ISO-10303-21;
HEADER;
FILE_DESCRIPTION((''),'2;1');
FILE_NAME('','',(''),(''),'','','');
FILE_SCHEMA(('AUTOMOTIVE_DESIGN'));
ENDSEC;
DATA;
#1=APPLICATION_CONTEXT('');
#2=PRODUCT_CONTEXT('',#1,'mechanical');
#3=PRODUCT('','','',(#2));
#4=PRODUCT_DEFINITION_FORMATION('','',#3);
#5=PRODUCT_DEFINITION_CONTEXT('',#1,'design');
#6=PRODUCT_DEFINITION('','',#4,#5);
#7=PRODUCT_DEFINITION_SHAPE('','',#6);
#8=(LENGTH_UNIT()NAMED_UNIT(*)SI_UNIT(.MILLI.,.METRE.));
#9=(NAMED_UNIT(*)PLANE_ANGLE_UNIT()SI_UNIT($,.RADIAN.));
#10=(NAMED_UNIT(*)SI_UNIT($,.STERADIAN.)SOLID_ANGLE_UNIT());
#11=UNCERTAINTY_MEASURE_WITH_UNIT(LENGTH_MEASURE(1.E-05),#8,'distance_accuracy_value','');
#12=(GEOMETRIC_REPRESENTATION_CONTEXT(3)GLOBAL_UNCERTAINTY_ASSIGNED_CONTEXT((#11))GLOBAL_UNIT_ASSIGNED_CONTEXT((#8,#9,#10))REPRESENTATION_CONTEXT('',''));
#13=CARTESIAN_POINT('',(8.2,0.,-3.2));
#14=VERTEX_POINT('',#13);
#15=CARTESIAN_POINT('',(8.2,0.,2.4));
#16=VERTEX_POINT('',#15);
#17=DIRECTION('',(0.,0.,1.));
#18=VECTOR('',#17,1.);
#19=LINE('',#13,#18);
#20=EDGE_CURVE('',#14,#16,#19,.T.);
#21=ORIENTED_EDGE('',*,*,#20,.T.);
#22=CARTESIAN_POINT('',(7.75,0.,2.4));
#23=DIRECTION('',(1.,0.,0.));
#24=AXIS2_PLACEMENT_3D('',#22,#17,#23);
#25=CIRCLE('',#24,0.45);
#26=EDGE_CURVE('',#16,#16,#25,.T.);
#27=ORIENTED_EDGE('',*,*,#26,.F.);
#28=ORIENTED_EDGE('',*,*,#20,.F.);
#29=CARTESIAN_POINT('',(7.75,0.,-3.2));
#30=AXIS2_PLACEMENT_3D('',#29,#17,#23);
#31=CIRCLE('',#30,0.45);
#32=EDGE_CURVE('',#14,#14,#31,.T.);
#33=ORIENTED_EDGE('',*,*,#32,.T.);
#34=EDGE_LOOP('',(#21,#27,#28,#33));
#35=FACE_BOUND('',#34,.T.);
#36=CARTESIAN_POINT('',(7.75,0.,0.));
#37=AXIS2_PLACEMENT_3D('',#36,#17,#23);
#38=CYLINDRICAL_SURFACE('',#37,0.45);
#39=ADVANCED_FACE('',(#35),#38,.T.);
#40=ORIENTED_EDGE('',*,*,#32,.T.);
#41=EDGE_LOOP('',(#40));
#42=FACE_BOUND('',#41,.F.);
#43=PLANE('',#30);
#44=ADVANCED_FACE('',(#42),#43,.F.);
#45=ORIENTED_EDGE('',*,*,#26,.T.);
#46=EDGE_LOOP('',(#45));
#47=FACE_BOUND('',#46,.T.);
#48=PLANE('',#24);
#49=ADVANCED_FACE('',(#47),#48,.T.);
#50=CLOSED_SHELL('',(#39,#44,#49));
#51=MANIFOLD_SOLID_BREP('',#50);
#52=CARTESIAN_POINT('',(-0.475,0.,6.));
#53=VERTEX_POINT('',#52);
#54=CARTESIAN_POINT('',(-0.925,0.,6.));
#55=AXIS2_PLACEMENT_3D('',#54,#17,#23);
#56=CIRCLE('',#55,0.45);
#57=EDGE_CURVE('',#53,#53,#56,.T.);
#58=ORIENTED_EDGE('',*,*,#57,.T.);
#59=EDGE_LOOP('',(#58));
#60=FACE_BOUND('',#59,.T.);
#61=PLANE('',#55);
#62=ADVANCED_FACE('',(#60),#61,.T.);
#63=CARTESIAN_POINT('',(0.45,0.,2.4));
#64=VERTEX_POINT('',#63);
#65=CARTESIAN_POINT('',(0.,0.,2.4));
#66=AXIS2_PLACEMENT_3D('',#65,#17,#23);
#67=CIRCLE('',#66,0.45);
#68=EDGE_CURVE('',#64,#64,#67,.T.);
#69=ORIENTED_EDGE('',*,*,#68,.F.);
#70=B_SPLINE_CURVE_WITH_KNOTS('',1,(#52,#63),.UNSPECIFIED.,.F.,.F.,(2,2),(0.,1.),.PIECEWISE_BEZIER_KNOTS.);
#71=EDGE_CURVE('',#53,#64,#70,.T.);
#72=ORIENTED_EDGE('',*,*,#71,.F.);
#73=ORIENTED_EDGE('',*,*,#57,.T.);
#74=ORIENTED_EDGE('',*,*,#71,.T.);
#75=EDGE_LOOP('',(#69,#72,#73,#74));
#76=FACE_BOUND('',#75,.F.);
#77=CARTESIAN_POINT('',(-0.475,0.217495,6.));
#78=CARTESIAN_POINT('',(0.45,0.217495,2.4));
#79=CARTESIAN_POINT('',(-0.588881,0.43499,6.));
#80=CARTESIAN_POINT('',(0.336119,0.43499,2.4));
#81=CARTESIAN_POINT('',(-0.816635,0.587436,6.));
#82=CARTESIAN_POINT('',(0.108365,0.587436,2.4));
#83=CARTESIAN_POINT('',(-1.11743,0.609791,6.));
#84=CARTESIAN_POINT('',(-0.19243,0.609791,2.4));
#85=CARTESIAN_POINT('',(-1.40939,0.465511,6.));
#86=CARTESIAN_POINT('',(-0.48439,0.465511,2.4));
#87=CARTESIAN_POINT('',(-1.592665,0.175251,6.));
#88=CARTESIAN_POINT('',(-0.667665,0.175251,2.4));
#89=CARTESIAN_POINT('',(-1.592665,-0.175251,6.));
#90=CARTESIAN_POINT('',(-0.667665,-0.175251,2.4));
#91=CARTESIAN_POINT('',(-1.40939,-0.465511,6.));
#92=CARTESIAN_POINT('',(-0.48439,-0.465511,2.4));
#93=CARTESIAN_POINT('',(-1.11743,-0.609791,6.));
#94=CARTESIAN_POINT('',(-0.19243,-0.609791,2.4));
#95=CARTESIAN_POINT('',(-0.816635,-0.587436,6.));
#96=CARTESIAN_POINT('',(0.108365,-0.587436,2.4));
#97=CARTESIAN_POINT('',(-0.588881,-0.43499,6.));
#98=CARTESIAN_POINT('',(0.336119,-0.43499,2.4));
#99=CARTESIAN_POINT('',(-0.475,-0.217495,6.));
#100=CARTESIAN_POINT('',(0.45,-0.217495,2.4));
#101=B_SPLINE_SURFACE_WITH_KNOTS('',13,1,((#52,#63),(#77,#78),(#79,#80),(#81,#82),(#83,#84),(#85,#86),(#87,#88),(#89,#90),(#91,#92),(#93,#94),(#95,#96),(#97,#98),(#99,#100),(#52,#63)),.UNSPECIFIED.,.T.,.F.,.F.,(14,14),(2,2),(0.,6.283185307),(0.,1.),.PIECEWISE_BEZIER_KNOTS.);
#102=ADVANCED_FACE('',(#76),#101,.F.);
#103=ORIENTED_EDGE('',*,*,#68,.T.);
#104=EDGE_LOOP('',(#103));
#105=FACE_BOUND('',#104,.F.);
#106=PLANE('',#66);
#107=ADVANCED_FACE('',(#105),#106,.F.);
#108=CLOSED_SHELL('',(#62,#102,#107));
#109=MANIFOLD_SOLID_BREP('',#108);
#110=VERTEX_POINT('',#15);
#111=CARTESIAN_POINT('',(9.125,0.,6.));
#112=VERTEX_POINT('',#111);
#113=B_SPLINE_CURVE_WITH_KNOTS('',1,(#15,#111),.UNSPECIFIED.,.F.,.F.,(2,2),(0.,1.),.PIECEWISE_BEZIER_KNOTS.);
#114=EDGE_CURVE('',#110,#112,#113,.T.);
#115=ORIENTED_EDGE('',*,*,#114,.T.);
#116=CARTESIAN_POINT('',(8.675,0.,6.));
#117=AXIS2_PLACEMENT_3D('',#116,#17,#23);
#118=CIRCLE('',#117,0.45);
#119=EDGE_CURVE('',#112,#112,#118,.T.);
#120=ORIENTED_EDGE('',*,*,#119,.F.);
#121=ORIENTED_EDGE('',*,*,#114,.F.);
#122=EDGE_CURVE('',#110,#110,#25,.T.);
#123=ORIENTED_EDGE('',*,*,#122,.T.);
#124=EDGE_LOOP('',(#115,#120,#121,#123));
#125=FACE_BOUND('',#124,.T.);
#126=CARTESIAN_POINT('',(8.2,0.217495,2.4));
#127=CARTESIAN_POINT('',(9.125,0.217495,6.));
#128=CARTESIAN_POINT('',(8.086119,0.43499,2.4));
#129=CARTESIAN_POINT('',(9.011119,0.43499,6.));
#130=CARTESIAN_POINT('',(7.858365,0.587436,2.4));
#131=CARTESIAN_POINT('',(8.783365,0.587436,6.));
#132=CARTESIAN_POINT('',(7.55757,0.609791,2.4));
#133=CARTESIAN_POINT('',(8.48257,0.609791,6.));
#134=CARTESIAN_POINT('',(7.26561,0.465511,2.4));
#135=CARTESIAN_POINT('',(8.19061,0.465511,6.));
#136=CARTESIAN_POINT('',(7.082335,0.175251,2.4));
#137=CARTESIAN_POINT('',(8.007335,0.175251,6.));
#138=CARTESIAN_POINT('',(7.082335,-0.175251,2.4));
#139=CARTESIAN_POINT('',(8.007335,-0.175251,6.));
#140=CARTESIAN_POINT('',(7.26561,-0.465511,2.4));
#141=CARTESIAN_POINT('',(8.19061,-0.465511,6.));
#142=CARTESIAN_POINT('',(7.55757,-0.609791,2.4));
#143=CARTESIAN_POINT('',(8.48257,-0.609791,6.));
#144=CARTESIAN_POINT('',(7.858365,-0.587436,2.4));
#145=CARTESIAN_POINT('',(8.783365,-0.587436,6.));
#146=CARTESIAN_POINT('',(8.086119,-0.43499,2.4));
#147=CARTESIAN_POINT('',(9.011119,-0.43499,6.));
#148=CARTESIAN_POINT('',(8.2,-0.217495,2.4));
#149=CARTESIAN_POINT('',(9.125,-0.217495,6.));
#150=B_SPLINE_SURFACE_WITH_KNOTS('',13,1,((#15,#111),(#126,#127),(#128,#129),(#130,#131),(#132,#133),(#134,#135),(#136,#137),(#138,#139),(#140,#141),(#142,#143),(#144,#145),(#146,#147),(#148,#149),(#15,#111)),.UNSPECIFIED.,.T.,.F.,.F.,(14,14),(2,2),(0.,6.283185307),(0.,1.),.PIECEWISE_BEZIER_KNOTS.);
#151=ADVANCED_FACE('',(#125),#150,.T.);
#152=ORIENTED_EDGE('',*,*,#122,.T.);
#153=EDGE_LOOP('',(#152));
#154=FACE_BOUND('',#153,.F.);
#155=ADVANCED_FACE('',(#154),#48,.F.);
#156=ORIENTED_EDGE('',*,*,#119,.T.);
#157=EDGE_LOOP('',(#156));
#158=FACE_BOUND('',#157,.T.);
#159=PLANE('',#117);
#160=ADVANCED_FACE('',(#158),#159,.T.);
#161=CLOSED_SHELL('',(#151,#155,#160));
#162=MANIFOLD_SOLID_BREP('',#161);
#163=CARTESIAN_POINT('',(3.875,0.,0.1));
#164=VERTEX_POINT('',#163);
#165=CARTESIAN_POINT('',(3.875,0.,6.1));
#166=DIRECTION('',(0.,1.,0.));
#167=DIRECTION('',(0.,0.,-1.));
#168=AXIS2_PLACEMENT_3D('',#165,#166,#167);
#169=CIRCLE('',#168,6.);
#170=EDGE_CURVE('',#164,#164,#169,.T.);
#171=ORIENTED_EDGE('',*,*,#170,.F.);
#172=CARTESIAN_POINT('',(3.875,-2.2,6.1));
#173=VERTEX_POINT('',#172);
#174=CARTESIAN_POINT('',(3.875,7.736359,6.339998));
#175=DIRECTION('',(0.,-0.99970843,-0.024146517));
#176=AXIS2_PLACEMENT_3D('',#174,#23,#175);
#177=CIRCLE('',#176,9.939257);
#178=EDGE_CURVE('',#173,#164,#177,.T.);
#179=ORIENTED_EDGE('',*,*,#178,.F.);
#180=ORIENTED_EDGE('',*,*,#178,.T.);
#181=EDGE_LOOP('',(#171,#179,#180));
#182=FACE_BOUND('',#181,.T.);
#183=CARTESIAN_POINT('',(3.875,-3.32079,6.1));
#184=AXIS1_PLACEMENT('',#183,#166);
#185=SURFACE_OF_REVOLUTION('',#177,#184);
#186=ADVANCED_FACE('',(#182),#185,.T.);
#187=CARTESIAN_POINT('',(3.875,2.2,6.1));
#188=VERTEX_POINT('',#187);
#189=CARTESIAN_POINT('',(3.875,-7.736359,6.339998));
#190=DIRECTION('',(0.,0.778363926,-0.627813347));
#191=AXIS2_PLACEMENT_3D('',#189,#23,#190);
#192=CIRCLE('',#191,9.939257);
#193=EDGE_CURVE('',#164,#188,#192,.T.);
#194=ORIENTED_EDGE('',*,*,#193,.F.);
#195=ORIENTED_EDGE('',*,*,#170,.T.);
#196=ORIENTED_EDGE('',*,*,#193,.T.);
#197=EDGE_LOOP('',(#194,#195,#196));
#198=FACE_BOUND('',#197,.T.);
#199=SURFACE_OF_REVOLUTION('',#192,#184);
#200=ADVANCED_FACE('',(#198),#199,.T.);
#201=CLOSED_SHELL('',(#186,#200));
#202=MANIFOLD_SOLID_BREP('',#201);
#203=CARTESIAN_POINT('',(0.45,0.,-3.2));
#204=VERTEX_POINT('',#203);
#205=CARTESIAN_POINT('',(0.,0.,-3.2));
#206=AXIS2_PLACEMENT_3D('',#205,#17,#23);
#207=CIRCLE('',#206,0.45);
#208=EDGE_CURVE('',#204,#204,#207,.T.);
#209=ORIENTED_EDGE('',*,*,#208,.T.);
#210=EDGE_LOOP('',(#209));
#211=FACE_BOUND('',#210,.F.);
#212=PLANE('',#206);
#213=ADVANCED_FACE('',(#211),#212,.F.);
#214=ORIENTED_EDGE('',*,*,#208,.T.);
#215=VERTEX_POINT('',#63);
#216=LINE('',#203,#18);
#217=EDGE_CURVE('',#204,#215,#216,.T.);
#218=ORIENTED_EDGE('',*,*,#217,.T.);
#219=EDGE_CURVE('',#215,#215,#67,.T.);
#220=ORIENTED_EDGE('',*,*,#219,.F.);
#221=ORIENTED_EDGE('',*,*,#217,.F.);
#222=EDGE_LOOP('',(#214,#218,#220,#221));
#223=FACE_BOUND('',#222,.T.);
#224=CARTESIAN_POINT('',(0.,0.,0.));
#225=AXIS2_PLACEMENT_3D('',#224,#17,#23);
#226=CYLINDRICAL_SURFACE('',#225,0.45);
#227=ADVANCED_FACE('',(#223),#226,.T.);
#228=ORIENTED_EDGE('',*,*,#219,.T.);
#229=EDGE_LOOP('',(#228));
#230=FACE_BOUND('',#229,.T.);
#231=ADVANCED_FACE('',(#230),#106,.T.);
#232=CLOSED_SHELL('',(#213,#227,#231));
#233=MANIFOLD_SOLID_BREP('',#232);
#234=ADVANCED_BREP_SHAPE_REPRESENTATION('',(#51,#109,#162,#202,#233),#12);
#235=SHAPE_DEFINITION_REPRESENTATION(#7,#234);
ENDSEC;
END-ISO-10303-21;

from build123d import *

# Parameters (mm, degrees)
SKETCH001_R       = 0.45
PAD001_DEPTH      = 2.4
PAD001_DEPTH_BACK = 3.2
SKETCH002_R       = 0.45
SKETCH003_R       = 0.45
SKETCH004_R       = 0.45
SKETCH005_R       = 0.45


with BuildPart() as pad001:
    # Sketch001 → Pad001 (new body, two sides)
    with BuildSketch(Plane.XY) as pad001_sk:
        Circle(SKETCH001_R)
        with Locations((7.75, 0)):
            Circle(SKETCH001_R)
    extrude(amount=PAD001_DEPTH)
    extrude(pad001_sk.sketch, amount=-PAD001_DEPTH_BACK)


with BuildPart() as revolution:
    # Sketch → Revolution (revolve)
    with BuildSketch(Plane.YZ.offset(3.875)):
        with BuildLine():
            Line((-2.2, 6.1), (2.2, 6.1))
            ThreePointArc((0, 0.1), (1.595374, 2.918363), (2.2, 6.1))
            ThreePointArc((-2.2, 6.1), (-1.595374, 2.918363), (0, 0.1))
        make_face()
    revolve(axis=Axis((3.875, -3.32079, 6.1), (0, 1, 0)))


with BuildPart() as loft_body:
    # Sketch002 → Loft section 0
    with BuildSketch(Plane.XY.offset(6)):
        with Locations((-0.925, 0)):
            Circle(SKETCH002_R)
    # Sketch003 → Loft section 1
    with BuildSketch(Plane.XY.offset(2.4)):
        Circle(SKETCH003_R)
    loft()


with BuildPart() as loft001:
    # Sketch004 → Loft001 section 0
    with BuildSketch(Plane.XY.offset(2.4)):
        with Locations((7.75, 0)):
            Circle(SKETCH004_R)
    # Sketch005 → Loft001 section 1
    with BuildSketch(Plane.XY.offset(6)):
        with Locations((8.675, 0)):
            Circle(SKETCH005_R)
    loft()


solid = Compound([pad001.part, revolution.part, loft_body.part, loft001.part])
